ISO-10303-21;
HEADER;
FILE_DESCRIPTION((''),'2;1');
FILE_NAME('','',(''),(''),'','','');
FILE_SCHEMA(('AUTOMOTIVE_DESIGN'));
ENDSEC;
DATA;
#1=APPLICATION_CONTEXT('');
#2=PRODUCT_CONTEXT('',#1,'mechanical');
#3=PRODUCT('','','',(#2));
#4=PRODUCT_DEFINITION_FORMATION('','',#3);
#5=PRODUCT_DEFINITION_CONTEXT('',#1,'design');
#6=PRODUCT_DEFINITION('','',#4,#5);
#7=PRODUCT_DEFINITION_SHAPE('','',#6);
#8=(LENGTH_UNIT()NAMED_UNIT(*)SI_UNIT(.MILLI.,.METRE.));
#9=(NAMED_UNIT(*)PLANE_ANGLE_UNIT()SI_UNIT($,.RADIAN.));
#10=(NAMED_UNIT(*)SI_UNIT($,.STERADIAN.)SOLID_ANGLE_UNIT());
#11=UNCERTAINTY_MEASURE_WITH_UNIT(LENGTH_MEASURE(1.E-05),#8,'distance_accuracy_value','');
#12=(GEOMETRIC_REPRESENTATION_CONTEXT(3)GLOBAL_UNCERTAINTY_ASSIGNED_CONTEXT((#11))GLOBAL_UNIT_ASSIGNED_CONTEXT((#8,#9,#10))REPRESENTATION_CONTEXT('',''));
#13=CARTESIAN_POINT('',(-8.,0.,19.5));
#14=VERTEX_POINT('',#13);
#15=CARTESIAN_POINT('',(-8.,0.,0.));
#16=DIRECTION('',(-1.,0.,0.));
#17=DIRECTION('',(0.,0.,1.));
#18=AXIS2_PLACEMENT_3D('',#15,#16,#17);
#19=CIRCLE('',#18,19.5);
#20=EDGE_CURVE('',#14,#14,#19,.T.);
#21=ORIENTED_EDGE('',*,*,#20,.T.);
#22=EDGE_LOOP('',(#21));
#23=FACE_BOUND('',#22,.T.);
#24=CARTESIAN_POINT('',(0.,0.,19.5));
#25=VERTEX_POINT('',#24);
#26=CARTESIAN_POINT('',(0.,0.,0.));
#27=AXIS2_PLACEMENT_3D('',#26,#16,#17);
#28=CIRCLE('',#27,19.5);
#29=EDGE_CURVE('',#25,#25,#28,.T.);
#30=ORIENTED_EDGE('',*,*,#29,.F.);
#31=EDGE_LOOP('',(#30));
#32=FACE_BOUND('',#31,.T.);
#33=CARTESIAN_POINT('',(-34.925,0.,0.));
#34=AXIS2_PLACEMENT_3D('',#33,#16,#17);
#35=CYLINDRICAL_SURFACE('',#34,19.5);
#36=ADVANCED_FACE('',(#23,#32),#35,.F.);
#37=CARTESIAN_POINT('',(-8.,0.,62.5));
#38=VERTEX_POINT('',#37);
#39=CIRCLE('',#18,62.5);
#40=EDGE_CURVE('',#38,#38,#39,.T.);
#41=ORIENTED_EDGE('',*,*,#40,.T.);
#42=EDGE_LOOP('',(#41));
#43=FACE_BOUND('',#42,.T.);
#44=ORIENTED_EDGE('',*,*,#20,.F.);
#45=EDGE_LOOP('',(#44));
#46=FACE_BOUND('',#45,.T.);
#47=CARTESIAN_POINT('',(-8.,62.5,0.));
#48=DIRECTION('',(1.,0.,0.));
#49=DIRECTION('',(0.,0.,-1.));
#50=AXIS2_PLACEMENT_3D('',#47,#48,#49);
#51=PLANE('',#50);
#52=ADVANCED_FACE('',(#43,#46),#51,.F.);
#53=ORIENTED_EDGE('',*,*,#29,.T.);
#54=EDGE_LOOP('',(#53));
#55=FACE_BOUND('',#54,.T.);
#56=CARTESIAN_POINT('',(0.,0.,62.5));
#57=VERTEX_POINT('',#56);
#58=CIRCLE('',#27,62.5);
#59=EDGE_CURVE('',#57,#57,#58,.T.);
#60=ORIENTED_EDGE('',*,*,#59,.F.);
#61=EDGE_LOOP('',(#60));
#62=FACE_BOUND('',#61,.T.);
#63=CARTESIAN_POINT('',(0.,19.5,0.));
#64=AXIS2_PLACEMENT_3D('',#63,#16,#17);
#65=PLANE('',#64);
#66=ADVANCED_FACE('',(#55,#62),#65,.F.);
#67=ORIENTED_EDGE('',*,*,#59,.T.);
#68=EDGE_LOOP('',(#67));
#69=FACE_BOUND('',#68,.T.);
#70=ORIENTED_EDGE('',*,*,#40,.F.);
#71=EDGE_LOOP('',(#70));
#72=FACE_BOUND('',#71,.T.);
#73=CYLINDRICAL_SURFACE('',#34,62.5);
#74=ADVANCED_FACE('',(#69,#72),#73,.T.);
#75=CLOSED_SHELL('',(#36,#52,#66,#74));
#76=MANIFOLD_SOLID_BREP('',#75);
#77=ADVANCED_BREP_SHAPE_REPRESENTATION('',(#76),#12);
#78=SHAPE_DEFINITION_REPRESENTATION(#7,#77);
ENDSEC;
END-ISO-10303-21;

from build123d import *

# Parameters (mm, degrees)
SKETCH1_W = 8
SKETCH1_H = 43


with BuildPart() as part:
    # Sketch1 → Base-Revolve (revolve)
    with BuildSketch(Plane.XY, mode=Mode.PRIVATE) as base_revolve_sk:
        with Locations((-4, 41)):
            Rectangle(SKETCH1_W, SKETCH1_H)
    revolve(base_revolve_sk.sketch.rotate(Axis((-34.925, 0, 0), (1, 0, 0)), 90), axis=Axis((-34.925, 0, 0), (1, 0, 0)))


solid = part.part
